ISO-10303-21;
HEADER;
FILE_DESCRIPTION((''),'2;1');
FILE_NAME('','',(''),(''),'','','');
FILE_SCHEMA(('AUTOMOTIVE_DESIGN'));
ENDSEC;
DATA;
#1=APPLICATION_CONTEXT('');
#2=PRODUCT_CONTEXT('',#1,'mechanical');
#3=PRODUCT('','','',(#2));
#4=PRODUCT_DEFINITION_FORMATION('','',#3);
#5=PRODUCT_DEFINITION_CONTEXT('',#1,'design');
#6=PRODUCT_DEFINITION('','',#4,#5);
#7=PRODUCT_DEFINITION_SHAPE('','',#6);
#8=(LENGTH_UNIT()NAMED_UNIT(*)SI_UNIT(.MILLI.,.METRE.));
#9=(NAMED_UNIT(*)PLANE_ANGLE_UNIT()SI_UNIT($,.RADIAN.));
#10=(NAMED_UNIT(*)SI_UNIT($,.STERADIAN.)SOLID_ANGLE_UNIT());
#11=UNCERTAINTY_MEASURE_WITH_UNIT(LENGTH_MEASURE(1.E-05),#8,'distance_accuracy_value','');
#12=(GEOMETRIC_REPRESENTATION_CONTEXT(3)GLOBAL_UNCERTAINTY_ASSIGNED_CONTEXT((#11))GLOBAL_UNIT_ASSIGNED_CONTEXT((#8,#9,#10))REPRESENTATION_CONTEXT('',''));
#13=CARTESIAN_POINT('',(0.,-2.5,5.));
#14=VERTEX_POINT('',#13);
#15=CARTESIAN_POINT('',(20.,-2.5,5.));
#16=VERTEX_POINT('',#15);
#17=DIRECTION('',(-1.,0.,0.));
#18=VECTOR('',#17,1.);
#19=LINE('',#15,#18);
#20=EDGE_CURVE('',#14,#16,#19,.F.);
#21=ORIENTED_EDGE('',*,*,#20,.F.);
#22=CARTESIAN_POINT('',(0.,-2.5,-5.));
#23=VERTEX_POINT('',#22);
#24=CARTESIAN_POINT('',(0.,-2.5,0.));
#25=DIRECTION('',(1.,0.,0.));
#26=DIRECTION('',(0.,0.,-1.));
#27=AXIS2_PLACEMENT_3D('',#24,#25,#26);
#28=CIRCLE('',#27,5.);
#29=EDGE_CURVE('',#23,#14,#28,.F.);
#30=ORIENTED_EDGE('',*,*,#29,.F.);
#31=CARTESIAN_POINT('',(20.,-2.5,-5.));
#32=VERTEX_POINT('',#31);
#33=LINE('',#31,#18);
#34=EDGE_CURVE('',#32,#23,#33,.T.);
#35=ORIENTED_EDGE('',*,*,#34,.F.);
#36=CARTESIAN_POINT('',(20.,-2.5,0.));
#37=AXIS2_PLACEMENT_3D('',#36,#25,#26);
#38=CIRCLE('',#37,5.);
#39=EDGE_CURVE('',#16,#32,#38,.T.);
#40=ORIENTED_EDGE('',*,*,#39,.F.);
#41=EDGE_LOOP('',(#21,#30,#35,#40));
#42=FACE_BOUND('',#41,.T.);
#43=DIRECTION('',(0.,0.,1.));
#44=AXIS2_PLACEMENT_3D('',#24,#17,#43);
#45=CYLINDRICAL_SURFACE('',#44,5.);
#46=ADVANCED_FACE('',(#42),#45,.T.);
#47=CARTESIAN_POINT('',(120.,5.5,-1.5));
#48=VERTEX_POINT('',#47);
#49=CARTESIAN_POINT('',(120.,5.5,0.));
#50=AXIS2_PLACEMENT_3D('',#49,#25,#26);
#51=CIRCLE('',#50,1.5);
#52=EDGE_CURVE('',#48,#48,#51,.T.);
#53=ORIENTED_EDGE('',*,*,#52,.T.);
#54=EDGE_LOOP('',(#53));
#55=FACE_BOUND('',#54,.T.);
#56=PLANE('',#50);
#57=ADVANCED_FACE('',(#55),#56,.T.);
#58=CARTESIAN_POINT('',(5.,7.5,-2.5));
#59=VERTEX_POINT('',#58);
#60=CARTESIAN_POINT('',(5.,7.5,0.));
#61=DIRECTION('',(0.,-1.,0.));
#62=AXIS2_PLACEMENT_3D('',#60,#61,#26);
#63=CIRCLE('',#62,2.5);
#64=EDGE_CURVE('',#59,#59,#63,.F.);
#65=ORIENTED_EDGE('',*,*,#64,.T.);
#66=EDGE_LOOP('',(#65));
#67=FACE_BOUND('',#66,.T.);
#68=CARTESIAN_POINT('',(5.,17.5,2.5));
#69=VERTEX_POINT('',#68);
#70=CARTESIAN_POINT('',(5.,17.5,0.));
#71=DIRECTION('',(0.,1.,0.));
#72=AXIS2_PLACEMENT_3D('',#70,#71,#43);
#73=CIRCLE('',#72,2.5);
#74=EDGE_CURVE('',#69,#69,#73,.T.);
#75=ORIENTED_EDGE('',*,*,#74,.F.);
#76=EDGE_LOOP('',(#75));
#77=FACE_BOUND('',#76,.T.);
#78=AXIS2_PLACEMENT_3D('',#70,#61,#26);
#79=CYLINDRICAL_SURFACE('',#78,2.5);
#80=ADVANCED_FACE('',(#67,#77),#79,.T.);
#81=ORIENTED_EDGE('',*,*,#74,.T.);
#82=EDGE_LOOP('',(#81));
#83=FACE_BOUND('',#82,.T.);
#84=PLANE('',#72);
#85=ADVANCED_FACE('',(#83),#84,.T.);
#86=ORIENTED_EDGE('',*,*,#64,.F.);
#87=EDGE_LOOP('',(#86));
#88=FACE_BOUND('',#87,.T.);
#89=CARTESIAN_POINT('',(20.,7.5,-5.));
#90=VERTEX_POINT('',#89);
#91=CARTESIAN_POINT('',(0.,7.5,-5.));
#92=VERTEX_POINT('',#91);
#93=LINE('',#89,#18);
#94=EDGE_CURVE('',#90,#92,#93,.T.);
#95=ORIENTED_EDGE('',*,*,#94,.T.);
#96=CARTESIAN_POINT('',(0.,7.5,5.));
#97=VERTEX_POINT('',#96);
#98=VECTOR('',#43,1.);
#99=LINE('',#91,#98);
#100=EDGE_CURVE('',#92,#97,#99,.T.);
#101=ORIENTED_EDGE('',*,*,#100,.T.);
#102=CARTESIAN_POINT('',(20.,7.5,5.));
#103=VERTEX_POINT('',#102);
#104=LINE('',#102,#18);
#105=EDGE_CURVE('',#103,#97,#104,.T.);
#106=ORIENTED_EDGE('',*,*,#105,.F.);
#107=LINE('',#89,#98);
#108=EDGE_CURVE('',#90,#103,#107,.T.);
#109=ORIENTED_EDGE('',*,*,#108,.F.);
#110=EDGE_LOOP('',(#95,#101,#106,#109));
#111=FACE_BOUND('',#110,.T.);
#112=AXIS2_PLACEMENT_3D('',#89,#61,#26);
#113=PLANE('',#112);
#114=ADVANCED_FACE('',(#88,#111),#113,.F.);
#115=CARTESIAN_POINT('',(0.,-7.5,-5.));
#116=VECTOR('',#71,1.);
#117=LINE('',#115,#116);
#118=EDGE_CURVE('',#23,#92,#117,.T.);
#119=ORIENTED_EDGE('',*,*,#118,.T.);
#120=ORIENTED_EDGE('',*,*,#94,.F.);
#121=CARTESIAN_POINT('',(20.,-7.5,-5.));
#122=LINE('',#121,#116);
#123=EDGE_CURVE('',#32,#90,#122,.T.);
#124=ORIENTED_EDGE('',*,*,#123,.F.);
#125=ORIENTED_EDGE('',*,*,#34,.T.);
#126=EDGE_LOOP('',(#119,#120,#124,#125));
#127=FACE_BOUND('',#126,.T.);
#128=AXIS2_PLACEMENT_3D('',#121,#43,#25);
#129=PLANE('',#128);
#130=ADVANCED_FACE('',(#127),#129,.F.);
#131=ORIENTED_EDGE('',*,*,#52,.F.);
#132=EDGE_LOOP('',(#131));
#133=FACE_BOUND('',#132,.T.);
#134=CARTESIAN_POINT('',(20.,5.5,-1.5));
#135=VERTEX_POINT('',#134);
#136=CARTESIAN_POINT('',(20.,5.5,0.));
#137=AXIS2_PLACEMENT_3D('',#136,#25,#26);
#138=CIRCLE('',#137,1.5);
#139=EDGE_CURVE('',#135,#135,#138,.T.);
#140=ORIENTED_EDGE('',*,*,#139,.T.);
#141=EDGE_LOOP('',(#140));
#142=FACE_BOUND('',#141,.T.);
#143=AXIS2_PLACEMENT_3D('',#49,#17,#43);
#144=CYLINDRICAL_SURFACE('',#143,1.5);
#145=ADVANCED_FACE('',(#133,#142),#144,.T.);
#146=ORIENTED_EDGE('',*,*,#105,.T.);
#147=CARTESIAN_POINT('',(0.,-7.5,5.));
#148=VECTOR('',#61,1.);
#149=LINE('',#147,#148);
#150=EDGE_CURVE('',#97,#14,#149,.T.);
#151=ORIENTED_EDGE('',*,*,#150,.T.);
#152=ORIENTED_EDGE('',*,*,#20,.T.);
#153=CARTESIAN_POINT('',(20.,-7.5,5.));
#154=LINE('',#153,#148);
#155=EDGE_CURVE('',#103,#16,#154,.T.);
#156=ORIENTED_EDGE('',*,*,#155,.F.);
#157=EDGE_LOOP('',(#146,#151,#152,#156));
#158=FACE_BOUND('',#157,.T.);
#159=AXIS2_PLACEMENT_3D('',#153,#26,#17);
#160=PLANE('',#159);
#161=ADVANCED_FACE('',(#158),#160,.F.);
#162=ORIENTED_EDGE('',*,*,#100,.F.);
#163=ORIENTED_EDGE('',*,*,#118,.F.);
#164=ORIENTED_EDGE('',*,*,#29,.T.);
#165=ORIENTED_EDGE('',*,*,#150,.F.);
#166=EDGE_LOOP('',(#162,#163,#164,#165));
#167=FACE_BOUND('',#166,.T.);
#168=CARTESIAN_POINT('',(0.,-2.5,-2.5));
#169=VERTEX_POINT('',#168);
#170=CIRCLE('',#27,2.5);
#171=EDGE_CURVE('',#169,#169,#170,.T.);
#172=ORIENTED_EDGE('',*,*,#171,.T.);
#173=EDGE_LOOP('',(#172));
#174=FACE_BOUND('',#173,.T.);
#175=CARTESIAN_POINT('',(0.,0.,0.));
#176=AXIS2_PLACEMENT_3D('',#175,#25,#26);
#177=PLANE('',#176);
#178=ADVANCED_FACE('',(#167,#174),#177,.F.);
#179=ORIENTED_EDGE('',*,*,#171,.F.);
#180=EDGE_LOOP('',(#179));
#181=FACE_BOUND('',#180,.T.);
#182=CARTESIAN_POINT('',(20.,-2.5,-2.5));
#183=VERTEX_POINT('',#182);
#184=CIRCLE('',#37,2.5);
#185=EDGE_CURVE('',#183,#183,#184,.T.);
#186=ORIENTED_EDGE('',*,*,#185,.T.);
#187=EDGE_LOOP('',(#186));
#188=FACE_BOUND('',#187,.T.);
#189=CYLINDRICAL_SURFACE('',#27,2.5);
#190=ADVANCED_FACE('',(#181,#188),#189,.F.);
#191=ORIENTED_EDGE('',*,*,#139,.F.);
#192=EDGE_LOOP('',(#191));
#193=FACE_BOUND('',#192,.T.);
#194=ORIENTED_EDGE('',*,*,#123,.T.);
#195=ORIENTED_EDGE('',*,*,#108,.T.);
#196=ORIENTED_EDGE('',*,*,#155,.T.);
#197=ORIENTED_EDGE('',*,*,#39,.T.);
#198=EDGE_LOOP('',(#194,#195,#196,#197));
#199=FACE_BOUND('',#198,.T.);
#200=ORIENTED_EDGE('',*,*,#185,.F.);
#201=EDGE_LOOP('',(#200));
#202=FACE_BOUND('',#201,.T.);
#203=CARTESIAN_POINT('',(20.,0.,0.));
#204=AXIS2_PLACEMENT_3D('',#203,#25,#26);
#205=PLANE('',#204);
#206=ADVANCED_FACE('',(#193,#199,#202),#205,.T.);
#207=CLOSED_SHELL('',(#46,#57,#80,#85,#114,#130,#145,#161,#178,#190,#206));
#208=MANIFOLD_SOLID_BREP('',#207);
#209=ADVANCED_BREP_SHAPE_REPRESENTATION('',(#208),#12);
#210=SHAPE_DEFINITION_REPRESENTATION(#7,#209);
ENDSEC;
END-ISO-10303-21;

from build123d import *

# Parameters (mm, degrees)
SKETCH_1_W          = 10
SKETCH_1_H          = 15
EXTRUDE_1_DEPTH     = 20
FILLET_1_RADIUS     = 5
FILLET_1_LENGTH     = 20
SKETCH_2_R          = 2.5
EXTRUDE_2_DEPTH     = 10
SKETCH_3_R          = 2.5
CUT_EXTRUDE_1_DEPTH = 28.041634566
SKETCH_4_R          = 1.5
EXTRUDE_3_DEPTH     = 100


with BuildPart() as part:
    # 스케치1 → 보스-돌출1 (new body)
    with BuildSketch(Plane(origin=(0, 0, 0), x_dir=(0, 0, -1), z_dir=(1, 0, 0))):
        Rectangle(SKETCH_1_W, SKETCH_1_H)
    extrude(amount=EXTRUDE_1_DEPTH)

    # 필렛1: full round fillet: the end face becomes a half cylinder, R = half its width
    fillet_1_face = Plane((10, -7.5, 0), x_dir=(1, 0, 0), z_dir=(0, -1, 0))  # on the end face: x along it, z out of the body
    fillet_1_slab = fillet_1_face.offset(-FILLET_1_RADIUS / 2) * Box(FILLET_1_LENGTH, 2 * FILLET_1_RADIUS, FILLET_1_RADIUS, mode=Mode.PRIVATE)  # the body's end, R deep
    fillet_1_round = Plane((10, -2.5, 0), x_dir=(0, -1, 0), z_dir=(1, 0, 0)) * Cylinder(FILLET_1_RADIUS, FILLET_1_LENGTH, mode=Mode.PRIVATE)  # its axis R under the face
    add(fillet_1_slab - fillet_1_round, mode=Mode.SUBTRACT)

    # 스케치2 → 보스-돌출2 (add)
    with BuildSketch(Plane(origin=(0, 7.5, 0), x_dir=(1, 0, 0), z_dir=(0, 1, 0))):
        with Locations(Location((5, 0, 0), (0, 0, 90))):
            Circle(SKETCH_2_R)
    extrude(amount=EXTRUDE_2_DEPTH)

    # 스케치3 → 컷-돌출1 (cut, through all)
    with BuildSketch(Plane(origin=(20, 0, 0), x_dir=(0, 0, -1), z_dir=(1, 0, 0))):
        with Locations((0, -2.5)):
            Circle(SKETCH_3_R)
    extrude(amount=-CUT_EXTRUDE_1_DEPTH, mode=Mode.SUBTRACT)

    # 스케치4 → 보스-돌출3 (add)
    with BuildSketch(Plane(origin=(20, 0, 0), x_dir=(0, 0, -1), z_dir=(1, 0, 0))):
        with Locations((0, 5.5)):
            Circle(SKETCH_4_R)
    extrude(amount=EXTRUDE_3_DEPTH)


solid = part.part
